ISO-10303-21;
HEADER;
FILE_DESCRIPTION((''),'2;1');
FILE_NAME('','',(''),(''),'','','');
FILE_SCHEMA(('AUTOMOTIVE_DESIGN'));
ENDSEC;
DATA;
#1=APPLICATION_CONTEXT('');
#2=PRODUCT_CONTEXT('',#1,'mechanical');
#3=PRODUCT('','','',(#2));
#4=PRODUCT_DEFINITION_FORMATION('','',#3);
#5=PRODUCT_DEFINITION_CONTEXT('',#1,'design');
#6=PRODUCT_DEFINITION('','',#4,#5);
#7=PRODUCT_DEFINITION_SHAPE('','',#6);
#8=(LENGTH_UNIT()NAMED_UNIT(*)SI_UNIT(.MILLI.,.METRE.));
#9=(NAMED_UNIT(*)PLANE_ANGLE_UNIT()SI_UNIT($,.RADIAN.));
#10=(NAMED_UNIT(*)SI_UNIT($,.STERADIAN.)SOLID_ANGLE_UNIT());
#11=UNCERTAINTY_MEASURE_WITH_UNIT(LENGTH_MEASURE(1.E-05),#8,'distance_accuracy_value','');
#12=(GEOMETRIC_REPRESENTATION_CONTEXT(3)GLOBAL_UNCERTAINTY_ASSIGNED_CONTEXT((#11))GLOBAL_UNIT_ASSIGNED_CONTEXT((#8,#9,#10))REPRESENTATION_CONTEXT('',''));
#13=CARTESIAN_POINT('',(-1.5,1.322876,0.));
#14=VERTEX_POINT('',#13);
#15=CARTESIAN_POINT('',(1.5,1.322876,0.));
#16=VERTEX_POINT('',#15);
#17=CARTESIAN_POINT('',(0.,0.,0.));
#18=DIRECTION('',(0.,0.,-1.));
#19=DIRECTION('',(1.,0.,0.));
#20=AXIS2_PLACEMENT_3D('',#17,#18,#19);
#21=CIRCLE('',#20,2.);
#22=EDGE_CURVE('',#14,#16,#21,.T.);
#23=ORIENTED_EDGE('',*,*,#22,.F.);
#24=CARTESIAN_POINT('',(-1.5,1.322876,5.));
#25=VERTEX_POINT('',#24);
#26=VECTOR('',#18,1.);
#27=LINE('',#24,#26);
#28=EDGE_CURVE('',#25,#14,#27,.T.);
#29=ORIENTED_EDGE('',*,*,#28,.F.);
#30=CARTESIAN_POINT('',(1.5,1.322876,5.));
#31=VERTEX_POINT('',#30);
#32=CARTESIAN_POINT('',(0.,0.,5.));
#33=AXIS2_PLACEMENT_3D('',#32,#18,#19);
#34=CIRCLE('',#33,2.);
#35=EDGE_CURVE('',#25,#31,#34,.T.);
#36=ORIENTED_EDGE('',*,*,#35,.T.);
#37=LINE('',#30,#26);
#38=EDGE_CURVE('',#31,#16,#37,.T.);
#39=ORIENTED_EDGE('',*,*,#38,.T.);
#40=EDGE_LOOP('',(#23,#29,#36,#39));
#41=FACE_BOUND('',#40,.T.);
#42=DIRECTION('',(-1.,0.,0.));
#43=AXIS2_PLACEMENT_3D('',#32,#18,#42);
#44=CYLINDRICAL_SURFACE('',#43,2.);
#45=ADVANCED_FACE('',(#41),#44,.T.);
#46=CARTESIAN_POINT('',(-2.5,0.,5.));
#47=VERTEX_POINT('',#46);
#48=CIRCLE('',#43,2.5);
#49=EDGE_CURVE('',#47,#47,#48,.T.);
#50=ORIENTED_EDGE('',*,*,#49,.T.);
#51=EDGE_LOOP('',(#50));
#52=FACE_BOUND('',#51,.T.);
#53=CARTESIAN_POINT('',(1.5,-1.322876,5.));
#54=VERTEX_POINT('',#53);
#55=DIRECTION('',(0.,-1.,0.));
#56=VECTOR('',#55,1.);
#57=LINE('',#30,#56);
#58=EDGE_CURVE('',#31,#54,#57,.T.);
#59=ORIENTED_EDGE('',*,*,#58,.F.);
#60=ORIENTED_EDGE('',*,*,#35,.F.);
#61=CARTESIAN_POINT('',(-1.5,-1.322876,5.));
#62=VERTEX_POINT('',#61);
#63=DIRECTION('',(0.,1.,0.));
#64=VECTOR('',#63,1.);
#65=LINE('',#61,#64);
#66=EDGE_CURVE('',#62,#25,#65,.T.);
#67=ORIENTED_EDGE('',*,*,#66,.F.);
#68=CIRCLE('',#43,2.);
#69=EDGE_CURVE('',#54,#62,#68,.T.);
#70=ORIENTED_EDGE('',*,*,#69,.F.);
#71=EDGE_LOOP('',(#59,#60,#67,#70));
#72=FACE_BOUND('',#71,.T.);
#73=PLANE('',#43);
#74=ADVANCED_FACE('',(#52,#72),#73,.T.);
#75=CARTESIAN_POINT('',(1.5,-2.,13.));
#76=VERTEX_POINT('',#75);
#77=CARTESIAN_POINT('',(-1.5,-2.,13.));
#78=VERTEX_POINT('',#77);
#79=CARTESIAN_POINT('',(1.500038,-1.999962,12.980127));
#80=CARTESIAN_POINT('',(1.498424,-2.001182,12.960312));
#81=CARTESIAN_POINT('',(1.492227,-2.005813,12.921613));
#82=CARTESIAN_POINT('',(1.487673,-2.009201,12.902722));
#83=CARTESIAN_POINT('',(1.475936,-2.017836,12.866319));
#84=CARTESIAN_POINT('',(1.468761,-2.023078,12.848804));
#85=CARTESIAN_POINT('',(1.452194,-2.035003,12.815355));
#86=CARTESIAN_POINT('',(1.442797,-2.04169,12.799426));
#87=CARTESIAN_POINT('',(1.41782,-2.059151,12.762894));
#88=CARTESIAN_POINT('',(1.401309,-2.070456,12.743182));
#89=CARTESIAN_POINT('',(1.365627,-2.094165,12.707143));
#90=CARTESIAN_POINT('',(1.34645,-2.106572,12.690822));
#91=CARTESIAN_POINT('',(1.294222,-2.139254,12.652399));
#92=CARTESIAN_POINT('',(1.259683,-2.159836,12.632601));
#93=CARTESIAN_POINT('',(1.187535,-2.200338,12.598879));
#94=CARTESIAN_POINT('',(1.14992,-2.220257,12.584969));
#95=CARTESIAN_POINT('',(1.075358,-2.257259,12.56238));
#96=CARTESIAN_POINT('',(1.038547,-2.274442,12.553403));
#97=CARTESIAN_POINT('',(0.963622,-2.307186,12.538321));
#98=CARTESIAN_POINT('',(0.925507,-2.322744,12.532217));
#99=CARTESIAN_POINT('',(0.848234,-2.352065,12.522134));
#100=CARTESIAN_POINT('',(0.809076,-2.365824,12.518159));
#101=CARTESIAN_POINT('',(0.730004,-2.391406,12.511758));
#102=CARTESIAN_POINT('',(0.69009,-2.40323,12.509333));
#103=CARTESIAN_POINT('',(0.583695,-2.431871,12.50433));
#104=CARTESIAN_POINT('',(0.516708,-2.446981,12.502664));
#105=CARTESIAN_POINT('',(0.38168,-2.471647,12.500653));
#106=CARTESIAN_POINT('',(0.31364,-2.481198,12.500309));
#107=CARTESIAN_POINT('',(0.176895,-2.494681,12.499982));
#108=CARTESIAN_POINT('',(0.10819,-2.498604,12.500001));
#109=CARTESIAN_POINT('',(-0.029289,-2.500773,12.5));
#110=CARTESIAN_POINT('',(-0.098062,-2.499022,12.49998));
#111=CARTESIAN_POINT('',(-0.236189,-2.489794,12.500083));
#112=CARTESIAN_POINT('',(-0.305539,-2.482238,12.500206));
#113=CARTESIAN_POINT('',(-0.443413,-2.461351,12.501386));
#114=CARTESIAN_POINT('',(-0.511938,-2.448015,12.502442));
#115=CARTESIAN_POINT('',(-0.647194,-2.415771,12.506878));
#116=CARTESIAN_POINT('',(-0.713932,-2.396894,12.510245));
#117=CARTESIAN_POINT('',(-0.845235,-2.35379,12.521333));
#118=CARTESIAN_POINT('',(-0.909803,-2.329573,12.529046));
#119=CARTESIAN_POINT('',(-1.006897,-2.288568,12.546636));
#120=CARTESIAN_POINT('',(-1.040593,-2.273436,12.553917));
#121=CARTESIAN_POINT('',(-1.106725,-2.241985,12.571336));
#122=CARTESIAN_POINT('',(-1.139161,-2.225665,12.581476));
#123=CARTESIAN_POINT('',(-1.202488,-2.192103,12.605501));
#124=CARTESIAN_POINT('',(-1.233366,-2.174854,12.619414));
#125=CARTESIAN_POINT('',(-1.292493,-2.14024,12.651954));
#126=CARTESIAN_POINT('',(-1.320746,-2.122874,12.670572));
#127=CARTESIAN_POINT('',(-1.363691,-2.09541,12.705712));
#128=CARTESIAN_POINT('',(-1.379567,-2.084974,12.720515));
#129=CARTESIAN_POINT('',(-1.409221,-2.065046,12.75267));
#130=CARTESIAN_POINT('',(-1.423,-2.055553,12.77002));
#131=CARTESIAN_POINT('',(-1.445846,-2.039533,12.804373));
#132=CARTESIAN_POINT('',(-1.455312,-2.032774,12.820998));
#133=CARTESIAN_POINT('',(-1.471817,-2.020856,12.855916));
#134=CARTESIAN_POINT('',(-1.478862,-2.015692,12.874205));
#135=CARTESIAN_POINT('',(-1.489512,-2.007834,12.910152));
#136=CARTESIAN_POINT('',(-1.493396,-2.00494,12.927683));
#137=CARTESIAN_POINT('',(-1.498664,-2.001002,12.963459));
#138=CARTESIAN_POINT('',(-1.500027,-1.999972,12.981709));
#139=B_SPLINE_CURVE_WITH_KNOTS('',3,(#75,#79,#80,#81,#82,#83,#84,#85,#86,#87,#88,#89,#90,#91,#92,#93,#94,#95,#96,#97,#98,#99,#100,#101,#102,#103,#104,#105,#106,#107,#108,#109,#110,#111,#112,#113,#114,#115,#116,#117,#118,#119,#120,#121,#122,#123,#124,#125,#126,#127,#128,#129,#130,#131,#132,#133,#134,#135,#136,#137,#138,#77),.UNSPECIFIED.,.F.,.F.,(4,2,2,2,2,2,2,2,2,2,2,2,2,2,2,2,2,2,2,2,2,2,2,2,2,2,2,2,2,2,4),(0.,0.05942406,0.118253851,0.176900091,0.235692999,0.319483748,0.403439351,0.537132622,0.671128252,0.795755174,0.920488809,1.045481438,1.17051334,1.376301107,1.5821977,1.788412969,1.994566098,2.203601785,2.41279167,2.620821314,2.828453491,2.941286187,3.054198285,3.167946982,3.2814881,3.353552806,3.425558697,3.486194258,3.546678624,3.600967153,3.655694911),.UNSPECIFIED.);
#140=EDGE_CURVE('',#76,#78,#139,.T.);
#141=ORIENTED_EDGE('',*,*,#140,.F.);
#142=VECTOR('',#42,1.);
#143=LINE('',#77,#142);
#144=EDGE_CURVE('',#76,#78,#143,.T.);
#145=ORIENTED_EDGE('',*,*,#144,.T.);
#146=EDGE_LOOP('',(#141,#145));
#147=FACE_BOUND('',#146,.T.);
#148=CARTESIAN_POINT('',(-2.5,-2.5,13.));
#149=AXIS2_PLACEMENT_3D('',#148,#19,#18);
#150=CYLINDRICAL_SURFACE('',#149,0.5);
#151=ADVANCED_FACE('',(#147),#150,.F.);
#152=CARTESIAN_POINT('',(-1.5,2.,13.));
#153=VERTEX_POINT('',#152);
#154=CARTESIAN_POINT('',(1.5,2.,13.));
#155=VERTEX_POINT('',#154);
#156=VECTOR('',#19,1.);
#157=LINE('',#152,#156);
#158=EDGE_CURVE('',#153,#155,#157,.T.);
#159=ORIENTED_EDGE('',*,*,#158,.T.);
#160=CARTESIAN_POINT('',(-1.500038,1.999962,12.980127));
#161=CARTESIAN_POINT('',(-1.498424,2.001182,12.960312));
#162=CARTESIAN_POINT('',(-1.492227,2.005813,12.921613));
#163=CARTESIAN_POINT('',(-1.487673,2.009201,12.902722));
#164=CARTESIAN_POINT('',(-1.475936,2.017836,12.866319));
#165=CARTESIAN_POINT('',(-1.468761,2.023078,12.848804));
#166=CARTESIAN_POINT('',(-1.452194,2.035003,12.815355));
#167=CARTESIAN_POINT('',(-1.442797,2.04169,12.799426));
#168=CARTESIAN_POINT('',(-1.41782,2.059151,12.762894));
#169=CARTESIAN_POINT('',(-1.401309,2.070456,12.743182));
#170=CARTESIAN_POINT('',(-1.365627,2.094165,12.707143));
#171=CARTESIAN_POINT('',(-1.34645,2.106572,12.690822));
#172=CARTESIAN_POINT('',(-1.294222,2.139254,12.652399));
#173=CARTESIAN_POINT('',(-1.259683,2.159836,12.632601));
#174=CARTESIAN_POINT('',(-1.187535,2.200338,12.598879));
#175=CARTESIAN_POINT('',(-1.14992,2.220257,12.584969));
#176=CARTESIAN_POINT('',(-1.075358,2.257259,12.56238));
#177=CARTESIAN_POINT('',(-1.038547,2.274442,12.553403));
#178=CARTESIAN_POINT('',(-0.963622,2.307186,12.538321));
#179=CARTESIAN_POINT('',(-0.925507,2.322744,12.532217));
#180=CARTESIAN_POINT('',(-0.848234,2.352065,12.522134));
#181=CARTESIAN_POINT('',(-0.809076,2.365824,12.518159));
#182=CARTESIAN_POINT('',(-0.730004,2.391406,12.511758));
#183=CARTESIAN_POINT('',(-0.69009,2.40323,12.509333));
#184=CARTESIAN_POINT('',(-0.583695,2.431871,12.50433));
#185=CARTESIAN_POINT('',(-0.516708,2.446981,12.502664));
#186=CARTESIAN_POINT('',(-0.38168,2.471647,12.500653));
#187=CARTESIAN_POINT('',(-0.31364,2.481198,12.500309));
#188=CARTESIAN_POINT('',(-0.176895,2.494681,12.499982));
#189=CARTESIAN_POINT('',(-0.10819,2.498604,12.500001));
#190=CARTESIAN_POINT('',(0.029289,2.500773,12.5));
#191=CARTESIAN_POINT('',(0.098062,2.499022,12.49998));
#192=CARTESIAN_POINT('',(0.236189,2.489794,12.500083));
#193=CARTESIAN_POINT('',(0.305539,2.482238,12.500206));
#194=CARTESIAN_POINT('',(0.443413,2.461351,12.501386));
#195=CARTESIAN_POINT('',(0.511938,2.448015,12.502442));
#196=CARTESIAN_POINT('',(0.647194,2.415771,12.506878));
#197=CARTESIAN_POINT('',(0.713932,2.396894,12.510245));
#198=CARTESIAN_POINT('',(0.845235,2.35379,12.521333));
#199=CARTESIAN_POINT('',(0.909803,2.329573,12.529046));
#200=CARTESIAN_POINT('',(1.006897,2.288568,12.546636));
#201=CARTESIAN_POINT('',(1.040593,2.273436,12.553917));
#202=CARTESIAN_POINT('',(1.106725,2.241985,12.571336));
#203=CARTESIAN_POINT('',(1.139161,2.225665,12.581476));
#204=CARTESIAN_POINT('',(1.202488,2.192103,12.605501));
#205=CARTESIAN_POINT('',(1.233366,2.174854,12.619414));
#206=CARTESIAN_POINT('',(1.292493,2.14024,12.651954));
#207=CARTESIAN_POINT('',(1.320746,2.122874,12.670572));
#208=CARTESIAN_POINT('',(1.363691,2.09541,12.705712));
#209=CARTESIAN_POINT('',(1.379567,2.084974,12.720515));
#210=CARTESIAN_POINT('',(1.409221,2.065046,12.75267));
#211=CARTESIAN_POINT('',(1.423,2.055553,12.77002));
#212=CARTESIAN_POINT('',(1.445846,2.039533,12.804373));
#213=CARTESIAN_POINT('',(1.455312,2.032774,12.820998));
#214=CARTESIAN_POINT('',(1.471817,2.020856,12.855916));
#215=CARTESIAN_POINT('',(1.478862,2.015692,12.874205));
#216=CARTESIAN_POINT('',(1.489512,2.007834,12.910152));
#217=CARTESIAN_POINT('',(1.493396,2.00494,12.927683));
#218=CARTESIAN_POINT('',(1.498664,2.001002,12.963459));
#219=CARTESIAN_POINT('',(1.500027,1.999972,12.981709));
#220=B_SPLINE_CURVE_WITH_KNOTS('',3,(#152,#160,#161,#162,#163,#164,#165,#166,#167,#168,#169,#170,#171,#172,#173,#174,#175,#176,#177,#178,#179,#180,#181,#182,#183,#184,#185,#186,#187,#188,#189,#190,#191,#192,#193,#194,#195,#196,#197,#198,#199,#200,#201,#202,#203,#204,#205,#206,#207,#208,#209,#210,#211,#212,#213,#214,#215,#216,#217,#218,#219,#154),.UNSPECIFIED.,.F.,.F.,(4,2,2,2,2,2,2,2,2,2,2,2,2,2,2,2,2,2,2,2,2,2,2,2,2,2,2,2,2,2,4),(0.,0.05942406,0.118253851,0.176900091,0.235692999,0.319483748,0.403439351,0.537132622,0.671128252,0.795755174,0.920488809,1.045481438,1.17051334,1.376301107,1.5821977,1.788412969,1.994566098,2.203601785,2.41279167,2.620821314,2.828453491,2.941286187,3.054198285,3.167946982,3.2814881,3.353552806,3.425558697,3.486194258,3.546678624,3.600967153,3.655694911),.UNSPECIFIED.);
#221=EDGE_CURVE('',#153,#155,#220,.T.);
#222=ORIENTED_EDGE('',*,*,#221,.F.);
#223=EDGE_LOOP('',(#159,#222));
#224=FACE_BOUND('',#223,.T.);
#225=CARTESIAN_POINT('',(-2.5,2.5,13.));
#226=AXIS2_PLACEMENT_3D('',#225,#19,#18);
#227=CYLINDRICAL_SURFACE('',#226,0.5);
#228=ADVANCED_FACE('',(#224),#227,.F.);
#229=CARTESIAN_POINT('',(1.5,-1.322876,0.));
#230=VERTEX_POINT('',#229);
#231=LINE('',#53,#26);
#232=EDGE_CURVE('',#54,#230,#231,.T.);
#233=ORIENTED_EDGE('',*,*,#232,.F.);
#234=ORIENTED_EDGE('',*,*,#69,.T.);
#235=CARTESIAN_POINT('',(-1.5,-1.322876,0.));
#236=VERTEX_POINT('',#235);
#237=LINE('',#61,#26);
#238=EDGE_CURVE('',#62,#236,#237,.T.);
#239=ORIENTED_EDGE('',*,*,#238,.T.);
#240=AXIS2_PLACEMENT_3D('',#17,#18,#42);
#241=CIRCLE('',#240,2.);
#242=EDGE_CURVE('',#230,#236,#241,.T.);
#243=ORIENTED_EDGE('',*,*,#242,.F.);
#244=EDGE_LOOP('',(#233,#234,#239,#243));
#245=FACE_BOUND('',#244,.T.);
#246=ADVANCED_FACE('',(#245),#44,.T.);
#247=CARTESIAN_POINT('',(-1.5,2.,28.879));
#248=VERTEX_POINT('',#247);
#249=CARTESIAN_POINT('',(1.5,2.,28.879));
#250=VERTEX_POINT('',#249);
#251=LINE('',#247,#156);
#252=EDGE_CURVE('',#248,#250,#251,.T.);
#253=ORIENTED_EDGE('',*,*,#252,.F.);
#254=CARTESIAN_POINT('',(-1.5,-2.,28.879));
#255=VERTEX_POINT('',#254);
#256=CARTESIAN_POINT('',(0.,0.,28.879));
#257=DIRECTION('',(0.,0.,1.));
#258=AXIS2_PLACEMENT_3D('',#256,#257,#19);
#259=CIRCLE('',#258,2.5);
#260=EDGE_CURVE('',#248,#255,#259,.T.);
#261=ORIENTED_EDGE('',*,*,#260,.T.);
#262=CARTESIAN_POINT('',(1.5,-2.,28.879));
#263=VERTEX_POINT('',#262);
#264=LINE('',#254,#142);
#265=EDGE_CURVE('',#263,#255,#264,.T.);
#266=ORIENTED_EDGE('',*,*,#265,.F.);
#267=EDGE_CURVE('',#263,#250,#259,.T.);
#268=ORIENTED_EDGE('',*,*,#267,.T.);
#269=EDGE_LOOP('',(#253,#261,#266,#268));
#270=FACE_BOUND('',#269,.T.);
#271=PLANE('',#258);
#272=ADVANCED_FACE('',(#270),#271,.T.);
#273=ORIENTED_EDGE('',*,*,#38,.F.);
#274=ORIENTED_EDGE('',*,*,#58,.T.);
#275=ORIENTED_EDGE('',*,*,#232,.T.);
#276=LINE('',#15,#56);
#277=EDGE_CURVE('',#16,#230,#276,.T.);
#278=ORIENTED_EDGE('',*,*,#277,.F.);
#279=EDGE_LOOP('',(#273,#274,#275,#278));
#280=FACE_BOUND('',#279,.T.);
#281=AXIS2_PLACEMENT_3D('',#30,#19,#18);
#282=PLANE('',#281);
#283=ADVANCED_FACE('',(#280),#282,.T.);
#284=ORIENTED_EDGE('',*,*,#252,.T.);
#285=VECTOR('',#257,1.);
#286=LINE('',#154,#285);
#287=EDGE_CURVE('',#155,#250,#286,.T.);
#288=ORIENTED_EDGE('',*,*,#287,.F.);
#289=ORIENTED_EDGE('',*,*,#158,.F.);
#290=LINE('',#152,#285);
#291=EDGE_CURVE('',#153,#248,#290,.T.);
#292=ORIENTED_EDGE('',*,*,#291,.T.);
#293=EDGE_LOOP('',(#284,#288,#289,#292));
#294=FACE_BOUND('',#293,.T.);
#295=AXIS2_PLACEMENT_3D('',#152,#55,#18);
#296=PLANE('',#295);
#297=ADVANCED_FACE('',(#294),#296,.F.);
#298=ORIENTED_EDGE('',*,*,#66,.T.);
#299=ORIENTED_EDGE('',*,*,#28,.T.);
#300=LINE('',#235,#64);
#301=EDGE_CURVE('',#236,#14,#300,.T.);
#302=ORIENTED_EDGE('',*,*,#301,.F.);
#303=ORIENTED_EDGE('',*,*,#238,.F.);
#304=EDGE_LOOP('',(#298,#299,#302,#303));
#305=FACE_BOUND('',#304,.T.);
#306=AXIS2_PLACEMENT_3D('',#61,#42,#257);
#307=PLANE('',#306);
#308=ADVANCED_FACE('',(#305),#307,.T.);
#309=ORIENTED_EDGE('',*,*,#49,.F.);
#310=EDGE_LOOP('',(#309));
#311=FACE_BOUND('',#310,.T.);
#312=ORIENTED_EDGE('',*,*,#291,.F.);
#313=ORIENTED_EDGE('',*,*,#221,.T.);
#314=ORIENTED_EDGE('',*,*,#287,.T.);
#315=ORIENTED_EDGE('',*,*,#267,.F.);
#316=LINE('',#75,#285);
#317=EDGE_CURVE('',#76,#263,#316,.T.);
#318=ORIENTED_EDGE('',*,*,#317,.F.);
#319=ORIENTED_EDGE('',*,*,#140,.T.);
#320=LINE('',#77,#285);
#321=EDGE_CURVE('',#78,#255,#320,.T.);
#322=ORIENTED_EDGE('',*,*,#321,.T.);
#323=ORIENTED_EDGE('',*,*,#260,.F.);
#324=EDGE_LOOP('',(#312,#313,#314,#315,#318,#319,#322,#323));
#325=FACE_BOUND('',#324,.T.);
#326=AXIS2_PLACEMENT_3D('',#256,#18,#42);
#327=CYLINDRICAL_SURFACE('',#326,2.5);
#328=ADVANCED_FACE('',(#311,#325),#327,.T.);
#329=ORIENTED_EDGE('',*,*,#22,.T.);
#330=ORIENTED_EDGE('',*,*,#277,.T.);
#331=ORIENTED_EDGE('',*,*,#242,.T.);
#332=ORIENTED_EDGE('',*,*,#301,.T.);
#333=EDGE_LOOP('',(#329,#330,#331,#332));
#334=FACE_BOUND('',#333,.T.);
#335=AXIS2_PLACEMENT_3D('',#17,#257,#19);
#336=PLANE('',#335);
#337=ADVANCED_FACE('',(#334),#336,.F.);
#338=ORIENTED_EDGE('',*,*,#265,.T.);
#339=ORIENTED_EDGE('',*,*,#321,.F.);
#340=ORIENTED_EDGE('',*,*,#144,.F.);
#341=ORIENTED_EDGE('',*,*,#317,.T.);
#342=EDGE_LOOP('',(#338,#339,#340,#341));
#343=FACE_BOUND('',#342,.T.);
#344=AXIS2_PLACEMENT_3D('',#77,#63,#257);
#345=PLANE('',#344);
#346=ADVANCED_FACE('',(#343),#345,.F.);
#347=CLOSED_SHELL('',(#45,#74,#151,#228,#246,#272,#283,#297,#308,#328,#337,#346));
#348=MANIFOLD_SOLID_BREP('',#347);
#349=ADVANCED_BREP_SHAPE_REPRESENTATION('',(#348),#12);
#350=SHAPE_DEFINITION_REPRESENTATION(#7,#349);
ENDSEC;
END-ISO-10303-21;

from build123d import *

# Parameters (mm, degrees)
SKETCH1_R               = 2.5
BOSS_EXTRUDE1_DEPTH     = 28.879
SKETCH2_R               = 2.5
CUT_EXTRUDE1_DEPTH      = 5
CUT_EXTRUDE2_DEPTH      = 15.879
CUT_EXTRUDE3_DEPTH      = 3.5
CUT_EXTRUDE3_DEPTH_BACK = 3.5


with BuildPart() as part:
    # Sketch1 → Boss-Extrude1 (new body)
    with BuildSketch(Plane.XY):
        Circle(SKETCH1_R)
    extrude(amount=BOSS_EXTRUDE1_DEPTH)

    # Sketch2 → Cut-Extrude1 (cut)
    with BuildSketch(Plane(origin=(0, 0, 0), x_dir=(-1, 0, 0), z_dir=(0, 0, -1))):
        Circle(SKETCH2_R)
        with BuildLine():
            Line((-1.5, 1.322875656), (-1.5, -1.322875656))
            ThreePointArc((-1.5, -1.322875656), (0, -2), (1.5, -1.322875656))
            Line((1.5, -1.322875656), (1.5, 1.322875656))
            ThreePointArc((1.5, 1.322875656), (0, 2), (-1.5, 1.322875656))
        make_face(mode=Mode.SUBTRACT)
    extrude(amount=-CUT_EXTRUDE1_DEPTH, mode=Mode.SUBTRACT)

    # Sketch3 → Cut-Extrude2 (cut)
    with BuildSketch(Plane.XY.offset(28.879)):
        with BuildLine():
            Line((-1.5, 2), (1.5, 2))
            ThreePointArc((1.5, 2), (0, 2.5), (-1.5, 2))
        make_face()
        with BuildLine():
            Line((-1.5, -2), (1.5, -2))
            ThreePointArc((1.5, -2), (0, -2.5), (-1.5, -2))
        make_face()
    extrude(amount=-CUT_EXTRUDE2_DEPTH, mode=Mode.SUBTRACT)

    # Sketch4 → Cut-Extrude3 (cut, two sides)
    with BuildSketch(Plane(origin=(0, 0, 0), x_dir=(0, 0, -1), z_dir=(1, 0, 0))) as cut_extrude3_sk:
        with BuildLine():
            Line((-13, 2.5), (-13, 2))
            ThreePointArc((-13, 2), (-12.646446609, 2.146446609), (-12.5, 2.5))
            Line((-12.5, 2.5), (-13, 2.5))
        make_face()
        with BuildLine():
            Line((-13, -2.5), (-13, -2))
            ThreePointArc((-13, -2), (-12.646446609, -2.146446609), (-12.5, -2.5))
            Line((-12.5, -2.5), (-13, -2.5))
        make_face()
    extrude(amount=CUT_EXTRUDE3_DEPTH, mode=Mode.SUBTRACT)
    extrude(cut_extrude3_sk.sketch, amount=-CUT_EXTRUDE3_DEPTH_BACK, mode=Mode.SUBTRACT)


solid = part.part
